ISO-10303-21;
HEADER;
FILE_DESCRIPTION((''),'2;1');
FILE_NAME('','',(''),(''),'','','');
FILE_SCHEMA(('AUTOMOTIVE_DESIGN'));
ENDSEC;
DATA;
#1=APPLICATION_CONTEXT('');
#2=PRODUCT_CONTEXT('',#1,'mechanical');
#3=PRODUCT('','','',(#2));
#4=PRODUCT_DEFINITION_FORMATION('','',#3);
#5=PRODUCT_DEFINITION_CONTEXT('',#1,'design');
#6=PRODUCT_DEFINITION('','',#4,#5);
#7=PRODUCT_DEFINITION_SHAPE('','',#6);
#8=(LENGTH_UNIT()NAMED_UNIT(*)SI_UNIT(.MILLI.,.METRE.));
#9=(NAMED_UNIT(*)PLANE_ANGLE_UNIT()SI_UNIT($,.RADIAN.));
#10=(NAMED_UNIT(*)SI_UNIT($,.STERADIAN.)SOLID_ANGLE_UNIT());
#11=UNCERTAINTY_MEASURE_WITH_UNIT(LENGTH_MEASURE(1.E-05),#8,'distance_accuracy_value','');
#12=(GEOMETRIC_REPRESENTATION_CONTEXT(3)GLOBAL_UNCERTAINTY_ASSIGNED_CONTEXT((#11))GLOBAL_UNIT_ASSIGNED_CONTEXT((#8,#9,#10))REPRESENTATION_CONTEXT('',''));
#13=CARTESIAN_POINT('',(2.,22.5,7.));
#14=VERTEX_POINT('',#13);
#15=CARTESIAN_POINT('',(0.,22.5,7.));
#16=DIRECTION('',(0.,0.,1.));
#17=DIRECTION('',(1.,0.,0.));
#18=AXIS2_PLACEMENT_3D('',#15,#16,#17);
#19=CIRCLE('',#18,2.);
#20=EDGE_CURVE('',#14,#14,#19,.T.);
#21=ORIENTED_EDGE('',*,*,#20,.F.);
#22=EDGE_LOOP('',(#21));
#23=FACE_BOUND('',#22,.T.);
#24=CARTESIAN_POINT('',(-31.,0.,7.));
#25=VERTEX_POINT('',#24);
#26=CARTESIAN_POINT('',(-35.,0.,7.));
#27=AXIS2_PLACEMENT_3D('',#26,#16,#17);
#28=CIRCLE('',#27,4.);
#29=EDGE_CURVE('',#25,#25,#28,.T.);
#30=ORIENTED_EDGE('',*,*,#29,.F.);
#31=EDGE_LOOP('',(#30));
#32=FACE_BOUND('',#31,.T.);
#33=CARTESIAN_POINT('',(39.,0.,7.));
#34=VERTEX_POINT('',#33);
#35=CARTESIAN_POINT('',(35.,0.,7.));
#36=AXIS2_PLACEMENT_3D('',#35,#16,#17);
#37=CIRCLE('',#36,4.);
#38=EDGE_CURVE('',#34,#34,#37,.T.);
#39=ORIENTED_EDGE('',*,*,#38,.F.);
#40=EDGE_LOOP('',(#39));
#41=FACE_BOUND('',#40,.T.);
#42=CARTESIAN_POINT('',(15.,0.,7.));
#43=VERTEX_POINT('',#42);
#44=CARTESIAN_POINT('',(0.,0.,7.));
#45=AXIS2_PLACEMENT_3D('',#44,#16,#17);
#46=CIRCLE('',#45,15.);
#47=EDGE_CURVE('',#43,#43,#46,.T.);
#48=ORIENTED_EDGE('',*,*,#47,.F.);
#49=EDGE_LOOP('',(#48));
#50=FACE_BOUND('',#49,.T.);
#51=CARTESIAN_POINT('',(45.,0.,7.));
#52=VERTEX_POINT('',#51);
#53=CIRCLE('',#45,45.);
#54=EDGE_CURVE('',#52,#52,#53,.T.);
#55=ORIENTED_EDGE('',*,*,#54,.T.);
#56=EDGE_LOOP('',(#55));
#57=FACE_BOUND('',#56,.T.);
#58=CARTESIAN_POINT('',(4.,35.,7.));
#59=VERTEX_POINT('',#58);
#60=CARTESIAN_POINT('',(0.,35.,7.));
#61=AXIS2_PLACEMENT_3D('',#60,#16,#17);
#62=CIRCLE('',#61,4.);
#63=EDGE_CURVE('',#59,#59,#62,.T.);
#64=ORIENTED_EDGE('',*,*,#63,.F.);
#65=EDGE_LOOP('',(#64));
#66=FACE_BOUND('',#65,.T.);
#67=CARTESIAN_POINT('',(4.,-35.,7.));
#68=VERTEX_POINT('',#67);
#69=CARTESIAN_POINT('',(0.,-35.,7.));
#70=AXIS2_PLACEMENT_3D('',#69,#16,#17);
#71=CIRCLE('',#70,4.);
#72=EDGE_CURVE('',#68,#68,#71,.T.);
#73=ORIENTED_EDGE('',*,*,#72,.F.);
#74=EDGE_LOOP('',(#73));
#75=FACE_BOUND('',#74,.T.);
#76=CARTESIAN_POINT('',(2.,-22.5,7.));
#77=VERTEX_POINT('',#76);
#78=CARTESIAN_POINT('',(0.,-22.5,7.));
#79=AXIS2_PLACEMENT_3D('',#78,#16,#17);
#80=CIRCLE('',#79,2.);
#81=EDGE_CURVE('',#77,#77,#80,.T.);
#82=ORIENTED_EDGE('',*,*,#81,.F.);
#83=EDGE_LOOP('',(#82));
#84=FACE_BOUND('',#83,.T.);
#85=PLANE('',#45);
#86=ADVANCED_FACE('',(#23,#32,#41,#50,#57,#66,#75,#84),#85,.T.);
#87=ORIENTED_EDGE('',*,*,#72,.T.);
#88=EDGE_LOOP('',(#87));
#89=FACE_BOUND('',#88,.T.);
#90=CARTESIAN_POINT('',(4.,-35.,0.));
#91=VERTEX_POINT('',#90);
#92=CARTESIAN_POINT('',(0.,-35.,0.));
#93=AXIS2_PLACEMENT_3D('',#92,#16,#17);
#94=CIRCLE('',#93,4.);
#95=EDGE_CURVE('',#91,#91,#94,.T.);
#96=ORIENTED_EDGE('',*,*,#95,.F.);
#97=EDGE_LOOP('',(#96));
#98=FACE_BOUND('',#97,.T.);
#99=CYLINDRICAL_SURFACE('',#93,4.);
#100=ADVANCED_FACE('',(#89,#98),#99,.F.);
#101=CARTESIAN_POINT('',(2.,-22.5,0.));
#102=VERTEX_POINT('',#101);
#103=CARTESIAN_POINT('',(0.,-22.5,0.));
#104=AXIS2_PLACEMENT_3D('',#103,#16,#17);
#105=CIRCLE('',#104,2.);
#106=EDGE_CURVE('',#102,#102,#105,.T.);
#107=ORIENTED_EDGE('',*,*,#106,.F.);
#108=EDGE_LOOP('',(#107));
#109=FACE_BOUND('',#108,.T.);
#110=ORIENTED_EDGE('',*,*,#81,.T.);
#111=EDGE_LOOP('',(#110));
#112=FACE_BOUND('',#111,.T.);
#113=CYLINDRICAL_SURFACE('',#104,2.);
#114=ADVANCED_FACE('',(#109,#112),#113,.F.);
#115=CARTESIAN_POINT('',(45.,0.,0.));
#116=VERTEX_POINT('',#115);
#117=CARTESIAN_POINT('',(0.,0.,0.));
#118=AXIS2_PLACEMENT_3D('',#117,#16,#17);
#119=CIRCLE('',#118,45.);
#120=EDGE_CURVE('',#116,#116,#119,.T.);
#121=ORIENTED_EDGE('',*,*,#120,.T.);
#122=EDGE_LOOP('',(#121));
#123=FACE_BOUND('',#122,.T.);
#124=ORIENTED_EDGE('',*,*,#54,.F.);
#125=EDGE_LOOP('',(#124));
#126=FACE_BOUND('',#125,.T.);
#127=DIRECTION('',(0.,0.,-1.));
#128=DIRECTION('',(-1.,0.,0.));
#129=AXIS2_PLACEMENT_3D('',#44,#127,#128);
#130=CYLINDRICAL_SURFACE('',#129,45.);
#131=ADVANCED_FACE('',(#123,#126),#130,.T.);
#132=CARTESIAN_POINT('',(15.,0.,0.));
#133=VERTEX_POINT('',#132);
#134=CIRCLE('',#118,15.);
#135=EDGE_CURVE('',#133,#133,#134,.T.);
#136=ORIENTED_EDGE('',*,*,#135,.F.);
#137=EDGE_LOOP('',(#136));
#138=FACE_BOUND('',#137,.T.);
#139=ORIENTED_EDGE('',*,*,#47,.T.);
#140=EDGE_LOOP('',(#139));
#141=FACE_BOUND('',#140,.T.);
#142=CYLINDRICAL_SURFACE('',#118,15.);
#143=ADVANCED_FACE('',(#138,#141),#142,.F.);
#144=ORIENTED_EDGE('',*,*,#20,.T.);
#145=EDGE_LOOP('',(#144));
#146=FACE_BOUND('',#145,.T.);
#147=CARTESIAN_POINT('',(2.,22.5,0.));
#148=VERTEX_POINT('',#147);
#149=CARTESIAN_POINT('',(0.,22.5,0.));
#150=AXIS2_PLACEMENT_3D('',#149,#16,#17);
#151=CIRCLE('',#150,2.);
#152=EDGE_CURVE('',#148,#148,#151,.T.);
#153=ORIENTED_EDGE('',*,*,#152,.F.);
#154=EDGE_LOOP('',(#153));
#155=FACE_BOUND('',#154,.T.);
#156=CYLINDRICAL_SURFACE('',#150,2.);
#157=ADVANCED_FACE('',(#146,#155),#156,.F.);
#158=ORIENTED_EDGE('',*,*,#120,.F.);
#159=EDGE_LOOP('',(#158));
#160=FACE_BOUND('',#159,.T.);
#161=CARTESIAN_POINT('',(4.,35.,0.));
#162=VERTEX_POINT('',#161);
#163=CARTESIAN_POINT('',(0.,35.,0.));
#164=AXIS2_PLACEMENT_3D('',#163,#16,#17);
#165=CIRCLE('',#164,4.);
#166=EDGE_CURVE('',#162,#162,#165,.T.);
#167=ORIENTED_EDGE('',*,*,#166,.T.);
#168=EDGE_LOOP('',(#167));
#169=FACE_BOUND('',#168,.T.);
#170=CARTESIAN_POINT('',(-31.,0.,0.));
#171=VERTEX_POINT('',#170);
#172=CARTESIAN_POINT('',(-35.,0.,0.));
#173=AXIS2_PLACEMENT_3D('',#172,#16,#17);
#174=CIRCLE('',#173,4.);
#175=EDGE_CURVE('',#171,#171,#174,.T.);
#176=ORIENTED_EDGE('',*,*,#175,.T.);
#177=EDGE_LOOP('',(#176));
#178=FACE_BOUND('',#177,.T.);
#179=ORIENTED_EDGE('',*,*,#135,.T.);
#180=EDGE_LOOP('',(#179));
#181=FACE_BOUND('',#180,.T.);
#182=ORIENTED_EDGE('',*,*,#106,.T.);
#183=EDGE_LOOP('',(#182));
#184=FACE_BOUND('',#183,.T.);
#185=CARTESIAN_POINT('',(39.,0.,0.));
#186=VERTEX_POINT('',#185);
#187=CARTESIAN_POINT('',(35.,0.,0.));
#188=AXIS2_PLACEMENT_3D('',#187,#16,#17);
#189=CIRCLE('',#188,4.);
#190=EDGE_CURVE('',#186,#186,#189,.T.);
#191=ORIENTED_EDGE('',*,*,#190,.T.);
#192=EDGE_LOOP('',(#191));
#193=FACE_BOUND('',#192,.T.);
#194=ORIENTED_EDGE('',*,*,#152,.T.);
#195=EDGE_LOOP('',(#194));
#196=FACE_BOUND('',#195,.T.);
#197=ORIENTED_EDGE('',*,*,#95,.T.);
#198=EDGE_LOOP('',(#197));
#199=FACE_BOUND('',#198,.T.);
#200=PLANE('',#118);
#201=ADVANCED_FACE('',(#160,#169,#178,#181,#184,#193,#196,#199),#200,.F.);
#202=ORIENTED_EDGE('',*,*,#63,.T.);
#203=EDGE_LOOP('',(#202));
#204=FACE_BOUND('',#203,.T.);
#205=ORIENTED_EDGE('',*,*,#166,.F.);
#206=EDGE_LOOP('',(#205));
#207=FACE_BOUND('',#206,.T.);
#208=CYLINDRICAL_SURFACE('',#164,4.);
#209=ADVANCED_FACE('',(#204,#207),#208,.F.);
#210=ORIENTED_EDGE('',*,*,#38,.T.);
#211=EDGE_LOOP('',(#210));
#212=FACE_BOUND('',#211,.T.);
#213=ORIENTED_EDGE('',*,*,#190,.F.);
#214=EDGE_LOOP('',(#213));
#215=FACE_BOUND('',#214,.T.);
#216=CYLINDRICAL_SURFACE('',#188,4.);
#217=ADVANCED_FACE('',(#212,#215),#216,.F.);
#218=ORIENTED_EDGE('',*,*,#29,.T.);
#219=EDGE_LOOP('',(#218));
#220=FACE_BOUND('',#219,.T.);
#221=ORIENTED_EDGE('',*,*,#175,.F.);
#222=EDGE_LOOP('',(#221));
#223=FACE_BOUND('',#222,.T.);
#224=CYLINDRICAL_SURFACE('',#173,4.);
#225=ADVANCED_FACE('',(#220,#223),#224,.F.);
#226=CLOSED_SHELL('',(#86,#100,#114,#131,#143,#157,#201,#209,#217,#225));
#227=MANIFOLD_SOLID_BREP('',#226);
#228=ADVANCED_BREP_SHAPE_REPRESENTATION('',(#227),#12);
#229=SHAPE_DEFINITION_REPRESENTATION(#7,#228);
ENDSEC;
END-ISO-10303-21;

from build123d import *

# Parameters (mm, degrees)
CROQUIS1_R              = 45
SALIENTE_EXTRUIR1_DEPTH = 7
CROQUIS2_R              = 15
CORTAR_EXTRUIR1_DEPTH   = 8
CROQUIS3_R              = 4
CORTAR_EXTRUIR2_DEPTH   = 8
CROQUIS4_R              = 2
CORTAR_EXTRUIR3_DEPTH   = 8


with BuildPart() as part:
    # Croquis1 → Saliente-Extruir1 (new body)
    with BuildSketch(Plane.XY):
        Circle(CROQUIS1_R)
    extrude(amount=SALIENTE_EXTRUIR1_DEPTH)

    # Croquis2 → Cortar-Extruir1 (cut, through all)
    with BuildSketch(Plane.XY.offset(7)):
        Circle(CROQUIS2_R)
    extrude(amount=-CORTAR_EXTRUIR1_DEPTH, mode=Mode.SUBTRACT)

    # Croquis3 → Cortar-Extruir2 (cut, through all)
    with BuildSketch(Plane.XY.offset(7)):
        with Locations((0, 35)):
            Circle(CROQUIS3_R)
        with Locations((35, 0)):
            Circle(CROQUIS3_R)
        with Locations((0, -35)):
            Circle(CROQUIS3_R)
        with Locations((-35, 0)):
            Circle(CROQUIS3_R)
    extrude(amount=-CORTAR_EXTRUIR2_DEPTH, mode=Mode.SUBTRACT)

    # Croquis4 → Cortar-Extruir3 (cut, through all)
    with BuildSketch(Plane.XY.offset(7)):
        with Locations((0, 22.5)):
            Circle(CROQUIS4_R)
        with Locations((0, -22.5)):
            Circle(CROQUIS4_R)
    extrude(amount=-CORTAR_EXTRUIR3_DEPTH, mode=Mode.SUBTRACT)


solid = part.part
